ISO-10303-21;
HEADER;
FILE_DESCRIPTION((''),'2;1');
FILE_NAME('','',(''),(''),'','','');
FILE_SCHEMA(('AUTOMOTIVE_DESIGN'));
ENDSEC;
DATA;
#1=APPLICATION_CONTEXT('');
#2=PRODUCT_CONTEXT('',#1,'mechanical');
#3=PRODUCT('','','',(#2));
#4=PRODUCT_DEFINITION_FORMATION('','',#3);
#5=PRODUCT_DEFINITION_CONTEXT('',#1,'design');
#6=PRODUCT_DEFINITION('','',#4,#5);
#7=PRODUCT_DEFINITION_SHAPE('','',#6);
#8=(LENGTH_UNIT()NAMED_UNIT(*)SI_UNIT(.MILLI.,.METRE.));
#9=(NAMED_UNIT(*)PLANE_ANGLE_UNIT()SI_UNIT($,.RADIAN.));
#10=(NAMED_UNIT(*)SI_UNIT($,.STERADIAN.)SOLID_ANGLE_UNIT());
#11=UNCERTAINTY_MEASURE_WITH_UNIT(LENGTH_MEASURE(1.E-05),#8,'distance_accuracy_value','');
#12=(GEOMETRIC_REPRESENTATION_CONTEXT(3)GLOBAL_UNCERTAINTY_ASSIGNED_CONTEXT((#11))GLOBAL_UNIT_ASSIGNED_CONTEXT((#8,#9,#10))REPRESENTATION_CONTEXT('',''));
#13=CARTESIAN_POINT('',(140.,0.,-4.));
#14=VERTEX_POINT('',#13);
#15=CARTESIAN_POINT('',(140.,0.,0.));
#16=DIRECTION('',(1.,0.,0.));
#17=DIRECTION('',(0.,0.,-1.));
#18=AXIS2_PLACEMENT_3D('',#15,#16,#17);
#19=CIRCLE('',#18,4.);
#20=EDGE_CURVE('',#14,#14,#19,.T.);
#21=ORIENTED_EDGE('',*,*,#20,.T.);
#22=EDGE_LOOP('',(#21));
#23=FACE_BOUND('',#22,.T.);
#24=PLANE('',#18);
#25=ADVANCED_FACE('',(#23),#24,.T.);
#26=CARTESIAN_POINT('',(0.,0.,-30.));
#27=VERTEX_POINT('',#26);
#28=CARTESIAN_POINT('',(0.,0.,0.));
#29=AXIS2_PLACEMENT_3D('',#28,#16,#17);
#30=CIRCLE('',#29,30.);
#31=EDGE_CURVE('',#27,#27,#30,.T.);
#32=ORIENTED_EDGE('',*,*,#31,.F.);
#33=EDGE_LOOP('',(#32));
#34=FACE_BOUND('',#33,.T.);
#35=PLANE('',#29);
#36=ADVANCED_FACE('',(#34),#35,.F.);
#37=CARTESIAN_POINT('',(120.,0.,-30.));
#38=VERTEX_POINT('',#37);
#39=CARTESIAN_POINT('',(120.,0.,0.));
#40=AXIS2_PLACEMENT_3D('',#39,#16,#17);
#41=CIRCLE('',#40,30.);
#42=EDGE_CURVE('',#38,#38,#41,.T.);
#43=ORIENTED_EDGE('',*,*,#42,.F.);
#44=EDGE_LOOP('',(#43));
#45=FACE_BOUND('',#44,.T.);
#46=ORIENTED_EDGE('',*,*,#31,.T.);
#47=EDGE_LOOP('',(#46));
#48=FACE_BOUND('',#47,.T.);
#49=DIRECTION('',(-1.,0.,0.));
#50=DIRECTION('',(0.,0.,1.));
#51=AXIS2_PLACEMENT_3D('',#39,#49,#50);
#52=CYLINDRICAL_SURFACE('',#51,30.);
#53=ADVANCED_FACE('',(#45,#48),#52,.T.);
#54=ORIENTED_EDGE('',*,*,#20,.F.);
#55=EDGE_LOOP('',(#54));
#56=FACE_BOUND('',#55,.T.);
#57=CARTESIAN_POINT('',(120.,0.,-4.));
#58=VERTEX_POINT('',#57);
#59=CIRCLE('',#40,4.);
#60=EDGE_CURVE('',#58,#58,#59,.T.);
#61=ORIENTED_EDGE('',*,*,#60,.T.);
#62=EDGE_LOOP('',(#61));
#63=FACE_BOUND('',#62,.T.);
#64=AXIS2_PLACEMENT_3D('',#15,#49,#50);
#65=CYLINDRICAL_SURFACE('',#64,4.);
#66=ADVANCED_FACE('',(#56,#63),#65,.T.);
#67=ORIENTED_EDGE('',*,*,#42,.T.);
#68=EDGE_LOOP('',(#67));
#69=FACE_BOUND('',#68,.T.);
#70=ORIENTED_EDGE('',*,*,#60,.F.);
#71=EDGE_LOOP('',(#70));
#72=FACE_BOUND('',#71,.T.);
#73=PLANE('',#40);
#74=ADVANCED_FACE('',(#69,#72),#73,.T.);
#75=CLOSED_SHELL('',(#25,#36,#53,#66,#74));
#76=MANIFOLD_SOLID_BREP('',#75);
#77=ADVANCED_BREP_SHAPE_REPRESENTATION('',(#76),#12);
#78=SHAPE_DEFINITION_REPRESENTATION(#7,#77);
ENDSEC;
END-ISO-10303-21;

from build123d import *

# Parameters (mm, degrees)
SKETCH1_R           = 30
BOSS_EXTRUDE1_DEPTH = 120
SKETCH2_R           = 4
BOSS_EXTRUDE2_DEPTH = 20


with BuildPart() as part:
    # Sketch1 → Boss-Extrude1 (new body)
    with BuildSketch(Plane(origin=(0, 0, 0), x_dir=(0, 0, -1), z_dir=(1, 0, 0))):
        Circle(SKETCH1_R)
    extrude(amount=BOSS_EXTRUDE1_DEPTH)

    # Sketch2 → Boss-Extrude2 (add)
    with BuildSketch(Plane(origin=(120, 0, 0), x_dir=(0, 0, -1), z_dir=(1, 0, 0))):
        Circle(SKETCH2_R)
    extrude(amount=BOSS_EXTRUDE2_DEPTH)


solid = part.part
